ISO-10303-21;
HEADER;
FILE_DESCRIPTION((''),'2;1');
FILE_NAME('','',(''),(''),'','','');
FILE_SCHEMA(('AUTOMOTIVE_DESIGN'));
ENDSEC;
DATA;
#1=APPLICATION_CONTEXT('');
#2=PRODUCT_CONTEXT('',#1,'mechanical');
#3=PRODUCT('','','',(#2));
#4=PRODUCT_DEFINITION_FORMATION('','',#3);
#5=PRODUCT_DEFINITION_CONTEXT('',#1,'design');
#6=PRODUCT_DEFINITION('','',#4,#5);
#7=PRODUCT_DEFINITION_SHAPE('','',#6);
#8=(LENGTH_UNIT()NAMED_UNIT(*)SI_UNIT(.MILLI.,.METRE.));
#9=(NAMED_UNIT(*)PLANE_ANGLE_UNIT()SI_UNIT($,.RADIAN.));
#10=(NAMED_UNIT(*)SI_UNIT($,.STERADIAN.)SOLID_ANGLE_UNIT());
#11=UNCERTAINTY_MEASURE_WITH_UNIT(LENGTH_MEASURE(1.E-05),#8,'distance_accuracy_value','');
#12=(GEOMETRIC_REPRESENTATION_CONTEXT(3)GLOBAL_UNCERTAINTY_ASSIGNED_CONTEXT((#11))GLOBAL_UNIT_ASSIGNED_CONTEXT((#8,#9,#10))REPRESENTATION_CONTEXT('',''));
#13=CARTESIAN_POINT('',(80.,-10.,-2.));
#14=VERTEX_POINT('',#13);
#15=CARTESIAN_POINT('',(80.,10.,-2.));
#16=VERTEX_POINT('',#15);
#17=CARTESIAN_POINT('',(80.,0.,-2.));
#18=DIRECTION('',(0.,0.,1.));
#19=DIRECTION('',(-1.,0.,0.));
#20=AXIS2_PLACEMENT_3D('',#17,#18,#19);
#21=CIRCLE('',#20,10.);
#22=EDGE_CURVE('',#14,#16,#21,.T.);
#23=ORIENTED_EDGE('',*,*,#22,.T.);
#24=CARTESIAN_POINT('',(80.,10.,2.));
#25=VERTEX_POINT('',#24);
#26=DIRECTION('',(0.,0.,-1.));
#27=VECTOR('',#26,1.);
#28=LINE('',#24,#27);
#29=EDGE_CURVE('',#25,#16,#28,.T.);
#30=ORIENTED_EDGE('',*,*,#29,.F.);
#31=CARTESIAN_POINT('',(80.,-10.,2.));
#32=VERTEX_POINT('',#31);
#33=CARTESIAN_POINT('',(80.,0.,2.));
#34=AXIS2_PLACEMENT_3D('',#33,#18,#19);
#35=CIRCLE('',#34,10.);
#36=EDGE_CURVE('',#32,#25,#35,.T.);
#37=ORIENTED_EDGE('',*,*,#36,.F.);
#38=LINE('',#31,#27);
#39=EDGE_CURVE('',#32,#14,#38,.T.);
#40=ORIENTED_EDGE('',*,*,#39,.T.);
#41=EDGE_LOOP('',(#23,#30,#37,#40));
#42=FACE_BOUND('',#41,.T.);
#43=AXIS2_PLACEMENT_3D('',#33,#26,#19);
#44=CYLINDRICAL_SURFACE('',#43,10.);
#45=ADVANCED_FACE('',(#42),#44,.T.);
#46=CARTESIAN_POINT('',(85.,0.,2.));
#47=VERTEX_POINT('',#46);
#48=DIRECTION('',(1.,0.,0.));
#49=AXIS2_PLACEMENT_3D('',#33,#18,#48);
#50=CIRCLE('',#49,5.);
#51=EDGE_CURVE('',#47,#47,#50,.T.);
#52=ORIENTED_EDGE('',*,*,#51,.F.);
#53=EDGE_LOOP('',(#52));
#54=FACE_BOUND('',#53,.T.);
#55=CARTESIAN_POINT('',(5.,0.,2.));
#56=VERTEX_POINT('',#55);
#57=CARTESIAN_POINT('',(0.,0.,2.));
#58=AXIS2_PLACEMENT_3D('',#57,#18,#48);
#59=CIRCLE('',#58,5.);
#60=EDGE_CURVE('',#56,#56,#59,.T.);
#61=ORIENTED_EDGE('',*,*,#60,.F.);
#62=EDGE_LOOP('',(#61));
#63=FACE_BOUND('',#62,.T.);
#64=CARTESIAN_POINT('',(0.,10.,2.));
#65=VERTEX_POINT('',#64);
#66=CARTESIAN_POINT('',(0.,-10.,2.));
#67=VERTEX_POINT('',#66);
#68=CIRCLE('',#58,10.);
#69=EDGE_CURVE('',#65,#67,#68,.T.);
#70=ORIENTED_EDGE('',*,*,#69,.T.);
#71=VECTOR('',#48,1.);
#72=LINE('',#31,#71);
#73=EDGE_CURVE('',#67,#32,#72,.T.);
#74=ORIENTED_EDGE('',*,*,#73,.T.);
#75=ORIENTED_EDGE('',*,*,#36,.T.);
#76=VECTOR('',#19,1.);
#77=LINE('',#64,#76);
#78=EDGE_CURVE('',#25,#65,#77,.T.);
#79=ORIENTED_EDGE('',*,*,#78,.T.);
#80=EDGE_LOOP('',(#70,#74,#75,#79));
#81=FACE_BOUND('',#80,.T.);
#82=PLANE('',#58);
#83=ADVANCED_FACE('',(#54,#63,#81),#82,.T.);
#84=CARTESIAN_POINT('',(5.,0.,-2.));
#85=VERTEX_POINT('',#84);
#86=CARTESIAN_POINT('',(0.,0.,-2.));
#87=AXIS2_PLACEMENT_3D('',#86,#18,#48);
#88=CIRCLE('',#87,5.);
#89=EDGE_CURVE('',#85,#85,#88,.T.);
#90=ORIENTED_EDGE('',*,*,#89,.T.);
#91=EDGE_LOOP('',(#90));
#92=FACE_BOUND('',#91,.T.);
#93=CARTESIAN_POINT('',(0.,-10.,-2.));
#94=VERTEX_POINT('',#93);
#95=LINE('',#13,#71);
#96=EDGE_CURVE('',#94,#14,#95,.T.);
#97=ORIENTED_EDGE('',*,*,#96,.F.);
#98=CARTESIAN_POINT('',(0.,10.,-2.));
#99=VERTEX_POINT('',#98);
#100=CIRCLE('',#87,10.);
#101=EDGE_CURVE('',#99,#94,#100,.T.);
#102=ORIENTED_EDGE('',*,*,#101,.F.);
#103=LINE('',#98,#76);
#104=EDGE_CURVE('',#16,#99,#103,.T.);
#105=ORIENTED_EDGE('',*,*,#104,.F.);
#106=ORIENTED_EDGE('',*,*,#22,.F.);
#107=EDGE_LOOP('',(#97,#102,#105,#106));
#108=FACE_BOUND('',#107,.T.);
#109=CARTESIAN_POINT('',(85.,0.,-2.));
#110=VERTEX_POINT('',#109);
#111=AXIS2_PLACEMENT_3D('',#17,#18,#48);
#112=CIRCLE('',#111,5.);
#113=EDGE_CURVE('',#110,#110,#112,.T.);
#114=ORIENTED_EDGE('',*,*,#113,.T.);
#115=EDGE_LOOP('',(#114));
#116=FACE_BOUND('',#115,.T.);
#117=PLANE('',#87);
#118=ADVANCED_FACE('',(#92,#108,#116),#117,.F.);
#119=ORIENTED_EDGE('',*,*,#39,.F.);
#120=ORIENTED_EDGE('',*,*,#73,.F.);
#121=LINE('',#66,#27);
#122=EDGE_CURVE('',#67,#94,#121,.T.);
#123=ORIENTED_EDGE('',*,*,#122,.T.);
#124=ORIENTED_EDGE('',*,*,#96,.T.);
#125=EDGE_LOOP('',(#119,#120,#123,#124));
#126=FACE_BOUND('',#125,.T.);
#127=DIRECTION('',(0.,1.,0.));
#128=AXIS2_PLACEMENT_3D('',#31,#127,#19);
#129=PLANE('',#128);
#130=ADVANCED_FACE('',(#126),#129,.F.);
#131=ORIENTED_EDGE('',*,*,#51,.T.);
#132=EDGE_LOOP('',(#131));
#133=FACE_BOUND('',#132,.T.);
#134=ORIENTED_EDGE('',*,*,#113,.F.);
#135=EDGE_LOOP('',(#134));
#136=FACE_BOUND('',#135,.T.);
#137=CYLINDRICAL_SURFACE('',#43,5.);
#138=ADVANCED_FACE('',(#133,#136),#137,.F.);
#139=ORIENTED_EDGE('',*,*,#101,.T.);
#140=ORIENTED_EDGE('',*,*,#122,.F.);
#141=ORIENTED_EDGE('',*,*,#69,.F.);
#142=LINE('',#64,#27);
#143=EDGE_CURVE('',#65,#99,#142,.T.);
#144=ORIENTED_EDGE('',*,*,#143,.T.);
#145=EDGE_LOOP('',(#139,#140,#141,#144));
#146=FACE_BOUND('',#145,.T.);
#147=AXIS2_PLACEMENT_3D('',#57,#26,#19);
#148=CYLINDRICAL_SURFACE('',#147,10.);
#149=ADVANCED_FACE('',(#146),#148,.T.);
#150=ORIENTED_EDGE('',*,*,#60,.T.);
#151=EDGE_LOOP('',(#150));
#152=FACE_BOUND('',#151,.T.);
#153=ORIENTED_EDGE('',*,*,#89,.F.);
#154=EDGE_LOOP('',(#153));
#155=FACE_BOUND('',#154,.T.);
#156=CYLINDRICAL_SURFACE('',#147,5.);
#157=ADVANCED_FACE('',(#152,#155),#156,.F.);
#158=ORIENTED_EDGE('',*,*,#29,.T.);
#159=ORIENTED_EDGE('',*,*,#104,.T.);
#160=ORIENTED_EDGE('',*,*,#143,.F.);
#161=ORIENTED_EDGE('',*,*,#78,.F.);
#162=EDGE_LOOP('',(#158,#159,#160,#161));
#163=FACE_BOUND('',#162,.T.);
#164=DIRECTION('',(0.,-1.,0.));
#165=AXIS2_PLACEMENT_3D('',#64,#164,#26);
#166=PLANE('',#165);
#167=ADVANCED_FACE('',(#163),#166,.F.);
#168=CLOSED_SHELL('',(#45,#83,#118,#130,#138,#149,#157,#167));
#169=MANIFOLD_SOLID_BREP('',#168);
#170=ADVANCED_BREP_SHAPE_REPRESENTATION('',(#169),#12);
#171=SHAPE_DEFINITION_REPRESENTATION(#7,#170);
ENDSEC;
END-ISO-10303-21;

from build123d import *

# Parameters (mm, degrees)
ESQUISSE1_R          = 5
BASE_EXTRUSION_DEPTH = 2


with BuildPart() as part:
    # Esquisse1 → Base-Extrusion (new, symmetric)
    with BuildSketch(Plane.XY):
        with BuildLine():
            Line((0, 10), (80, 10))
            ThreePointArc((80, 10), (90, 0), (80, -10))
            Line((80, -10), (0, -10))
            ThreePointArc((0, -10), (-10, 0), (0, 10))
        make_face()
        Circle(ESQUISSE1_R, mode=Mode.SUBTRACT)
        with Locations((80, 0)):
            Circle(ESQUISSE1_R, mode=Mode.SUBTRACT)
    extrude(amount=BASE_EXTRUSION_DEPTH, both=True)


solid = part.part
